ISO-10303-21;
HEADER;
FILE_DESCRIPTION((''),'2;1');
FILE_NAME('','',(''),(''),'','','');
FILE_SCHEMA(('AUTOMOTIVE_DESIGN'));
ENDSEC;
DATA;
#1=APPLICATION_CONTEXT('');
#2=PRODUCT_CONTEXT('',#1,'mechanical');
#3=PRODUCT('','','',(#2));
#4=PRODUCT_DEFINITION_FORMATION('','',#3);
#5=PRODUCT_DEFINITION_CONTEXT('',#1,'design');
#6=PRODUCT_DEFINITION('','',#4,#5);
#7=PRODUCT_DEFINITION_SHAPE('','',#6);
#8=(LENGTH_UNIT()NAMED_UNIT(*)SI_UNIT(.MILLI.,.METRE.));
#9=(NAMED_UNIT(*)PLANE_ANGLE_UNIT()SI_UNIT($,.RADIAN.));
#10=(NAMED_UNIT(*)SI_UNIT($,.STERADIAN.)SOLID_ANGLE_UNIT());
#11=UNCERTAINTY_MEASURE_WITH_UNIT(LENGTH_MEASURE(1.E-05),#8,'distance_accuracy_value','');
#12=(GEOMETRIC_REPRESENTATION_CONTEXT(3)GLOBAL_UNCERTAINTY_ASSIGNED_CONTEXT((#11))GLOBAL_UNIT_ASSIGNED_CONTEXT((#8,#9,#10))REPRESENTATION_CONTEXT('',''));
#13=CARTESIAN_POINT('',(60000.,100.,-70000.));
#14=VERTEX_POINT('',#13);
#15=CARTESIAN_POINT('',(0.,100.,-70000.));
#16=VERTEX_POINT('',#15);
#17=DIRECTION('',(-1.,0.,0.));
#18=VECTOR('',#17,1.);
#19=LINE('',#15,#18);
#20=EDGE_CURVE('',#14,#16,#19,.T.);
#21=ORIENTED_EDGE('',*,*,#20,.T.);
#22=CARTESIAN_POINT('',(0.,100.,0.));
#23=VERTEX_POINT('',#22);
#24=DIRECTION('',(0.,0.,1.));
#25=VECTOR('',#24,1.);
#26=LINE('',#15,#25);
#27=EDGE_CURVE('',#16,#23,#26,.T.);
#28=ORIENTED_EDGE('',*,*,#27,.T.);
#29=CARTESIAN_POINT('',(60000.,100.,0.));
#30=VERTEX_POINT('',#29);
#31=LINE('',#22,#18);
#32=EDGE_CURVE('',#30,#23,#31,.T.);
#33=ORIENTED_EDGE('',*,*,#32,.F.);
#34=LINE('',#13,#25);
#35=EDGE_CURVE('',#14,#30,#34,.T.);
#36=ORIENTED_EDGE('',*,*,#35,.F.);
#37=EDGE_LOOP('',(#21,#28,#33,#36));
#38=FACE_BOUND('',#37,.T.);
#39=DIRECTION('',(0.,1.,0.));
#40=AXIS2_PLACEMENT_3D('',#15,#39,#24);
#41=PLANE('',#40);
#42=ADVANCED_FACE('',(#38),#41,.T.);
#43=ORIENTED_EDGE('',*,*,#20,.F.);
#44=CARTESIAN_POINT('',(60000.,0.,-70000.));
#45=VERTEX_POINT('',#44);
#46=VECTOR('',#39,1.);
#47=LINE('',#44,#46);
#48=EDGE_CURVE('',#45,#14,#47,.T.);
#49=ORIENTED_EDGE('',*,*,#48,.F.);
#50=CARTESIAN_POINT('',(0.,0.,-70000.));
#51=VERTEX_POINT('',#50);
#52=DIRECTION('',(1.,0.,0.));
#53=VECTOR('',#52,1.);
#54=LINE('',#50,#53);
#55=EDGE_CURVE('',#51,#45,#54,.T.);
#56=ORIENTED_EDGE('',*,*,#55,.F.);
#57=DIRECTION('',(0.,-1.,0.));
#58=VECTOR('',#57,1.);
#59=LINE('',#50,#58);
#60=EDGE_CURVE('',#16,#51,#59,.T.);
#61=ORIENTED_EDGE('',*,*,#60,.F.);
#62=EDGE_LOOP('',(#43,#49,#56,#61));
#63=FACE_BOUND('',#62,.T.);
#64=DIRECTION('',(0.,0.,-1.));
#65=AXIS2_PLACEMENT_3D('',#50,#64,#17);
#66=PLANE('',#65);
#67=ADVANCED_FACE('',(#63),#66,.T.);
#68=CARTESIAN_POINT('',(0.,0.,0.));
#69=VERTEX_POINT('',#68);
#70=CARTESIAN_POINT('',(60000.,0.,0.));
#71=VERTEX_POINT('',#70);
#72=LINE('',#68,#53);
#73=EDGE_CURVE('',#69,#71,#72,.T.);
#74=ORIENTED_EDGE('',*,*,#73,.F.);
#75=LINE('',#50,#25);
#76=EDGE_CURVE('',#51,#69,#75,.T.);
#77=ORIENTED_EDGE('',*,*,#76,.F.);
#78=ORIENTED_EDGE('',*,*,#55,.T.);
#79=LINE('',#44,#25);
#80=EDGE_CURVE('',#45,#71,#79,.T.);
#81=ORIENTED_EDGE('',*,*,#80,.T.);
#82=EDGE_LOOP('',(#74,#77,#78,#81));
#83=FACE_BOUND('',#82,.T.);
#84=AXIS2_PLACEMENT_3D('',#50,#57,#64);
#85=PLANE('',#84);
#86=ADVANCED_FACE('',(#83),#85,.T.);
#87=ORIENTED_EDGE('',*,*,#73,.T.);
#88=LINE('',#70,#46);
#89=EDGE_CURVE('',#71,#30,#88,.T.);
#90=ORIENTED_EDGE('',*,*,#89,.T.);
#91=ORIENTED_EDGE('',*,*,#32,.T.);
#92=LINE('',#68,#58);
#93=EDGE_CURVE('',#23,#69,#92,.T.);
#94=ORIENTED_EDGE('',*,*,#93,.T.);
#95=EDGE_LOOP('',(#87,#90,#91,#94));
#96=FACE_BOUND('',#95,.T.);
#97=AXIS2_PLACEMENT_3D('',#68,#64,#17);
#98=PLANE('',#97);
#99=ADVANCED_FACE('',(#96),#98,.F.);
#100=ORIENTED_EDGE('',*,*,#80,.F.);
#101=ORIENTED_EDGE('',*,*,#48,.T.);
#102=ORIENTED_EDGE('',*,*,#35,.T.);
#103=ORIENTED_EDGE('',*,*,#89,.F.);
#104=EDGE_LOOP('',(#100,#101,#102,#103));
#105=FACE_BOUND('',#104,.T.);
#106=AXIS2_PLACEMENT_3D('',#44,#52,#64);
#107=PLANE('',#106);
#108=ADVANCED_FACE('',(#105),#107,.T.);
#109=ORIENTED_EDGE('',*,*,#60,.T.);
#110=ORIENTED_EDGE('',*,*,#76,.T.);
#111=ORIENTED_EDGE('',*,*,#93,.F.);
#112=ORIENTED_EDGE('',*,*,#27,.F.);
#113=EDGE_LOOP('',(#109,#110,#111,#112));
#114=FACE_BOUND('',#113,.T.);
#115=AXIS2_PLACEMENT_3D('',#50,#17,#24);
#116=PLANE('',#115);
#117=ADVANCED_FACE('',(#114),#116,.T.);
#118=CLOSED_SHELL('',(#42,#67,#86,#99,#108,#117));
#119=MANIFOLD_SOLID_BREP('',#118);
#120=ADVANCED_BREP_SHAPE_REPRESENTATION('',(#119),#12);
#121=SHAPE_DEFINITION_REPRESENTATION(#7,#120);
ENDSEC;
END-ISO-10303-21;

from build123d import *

# Parameters (mm, degrees)
CROQUIS1_W              = 60000
CROQUIS1_H              = 100
SALIENTE_EXTRUIR1_DEPTH = 70000


with BuildPart() as part:
    # Croquis1 → Saliente-Extruir1 (new body)
    with BuildSketch(Plane.XY):
        with Locations((30000, 50)):
            Rectangle(CROQUIS1_W, CROQUIS1_H)
    extrude(amount=-SALIENTE_EXTRUIR1_DEPTH)


solid = part.part
